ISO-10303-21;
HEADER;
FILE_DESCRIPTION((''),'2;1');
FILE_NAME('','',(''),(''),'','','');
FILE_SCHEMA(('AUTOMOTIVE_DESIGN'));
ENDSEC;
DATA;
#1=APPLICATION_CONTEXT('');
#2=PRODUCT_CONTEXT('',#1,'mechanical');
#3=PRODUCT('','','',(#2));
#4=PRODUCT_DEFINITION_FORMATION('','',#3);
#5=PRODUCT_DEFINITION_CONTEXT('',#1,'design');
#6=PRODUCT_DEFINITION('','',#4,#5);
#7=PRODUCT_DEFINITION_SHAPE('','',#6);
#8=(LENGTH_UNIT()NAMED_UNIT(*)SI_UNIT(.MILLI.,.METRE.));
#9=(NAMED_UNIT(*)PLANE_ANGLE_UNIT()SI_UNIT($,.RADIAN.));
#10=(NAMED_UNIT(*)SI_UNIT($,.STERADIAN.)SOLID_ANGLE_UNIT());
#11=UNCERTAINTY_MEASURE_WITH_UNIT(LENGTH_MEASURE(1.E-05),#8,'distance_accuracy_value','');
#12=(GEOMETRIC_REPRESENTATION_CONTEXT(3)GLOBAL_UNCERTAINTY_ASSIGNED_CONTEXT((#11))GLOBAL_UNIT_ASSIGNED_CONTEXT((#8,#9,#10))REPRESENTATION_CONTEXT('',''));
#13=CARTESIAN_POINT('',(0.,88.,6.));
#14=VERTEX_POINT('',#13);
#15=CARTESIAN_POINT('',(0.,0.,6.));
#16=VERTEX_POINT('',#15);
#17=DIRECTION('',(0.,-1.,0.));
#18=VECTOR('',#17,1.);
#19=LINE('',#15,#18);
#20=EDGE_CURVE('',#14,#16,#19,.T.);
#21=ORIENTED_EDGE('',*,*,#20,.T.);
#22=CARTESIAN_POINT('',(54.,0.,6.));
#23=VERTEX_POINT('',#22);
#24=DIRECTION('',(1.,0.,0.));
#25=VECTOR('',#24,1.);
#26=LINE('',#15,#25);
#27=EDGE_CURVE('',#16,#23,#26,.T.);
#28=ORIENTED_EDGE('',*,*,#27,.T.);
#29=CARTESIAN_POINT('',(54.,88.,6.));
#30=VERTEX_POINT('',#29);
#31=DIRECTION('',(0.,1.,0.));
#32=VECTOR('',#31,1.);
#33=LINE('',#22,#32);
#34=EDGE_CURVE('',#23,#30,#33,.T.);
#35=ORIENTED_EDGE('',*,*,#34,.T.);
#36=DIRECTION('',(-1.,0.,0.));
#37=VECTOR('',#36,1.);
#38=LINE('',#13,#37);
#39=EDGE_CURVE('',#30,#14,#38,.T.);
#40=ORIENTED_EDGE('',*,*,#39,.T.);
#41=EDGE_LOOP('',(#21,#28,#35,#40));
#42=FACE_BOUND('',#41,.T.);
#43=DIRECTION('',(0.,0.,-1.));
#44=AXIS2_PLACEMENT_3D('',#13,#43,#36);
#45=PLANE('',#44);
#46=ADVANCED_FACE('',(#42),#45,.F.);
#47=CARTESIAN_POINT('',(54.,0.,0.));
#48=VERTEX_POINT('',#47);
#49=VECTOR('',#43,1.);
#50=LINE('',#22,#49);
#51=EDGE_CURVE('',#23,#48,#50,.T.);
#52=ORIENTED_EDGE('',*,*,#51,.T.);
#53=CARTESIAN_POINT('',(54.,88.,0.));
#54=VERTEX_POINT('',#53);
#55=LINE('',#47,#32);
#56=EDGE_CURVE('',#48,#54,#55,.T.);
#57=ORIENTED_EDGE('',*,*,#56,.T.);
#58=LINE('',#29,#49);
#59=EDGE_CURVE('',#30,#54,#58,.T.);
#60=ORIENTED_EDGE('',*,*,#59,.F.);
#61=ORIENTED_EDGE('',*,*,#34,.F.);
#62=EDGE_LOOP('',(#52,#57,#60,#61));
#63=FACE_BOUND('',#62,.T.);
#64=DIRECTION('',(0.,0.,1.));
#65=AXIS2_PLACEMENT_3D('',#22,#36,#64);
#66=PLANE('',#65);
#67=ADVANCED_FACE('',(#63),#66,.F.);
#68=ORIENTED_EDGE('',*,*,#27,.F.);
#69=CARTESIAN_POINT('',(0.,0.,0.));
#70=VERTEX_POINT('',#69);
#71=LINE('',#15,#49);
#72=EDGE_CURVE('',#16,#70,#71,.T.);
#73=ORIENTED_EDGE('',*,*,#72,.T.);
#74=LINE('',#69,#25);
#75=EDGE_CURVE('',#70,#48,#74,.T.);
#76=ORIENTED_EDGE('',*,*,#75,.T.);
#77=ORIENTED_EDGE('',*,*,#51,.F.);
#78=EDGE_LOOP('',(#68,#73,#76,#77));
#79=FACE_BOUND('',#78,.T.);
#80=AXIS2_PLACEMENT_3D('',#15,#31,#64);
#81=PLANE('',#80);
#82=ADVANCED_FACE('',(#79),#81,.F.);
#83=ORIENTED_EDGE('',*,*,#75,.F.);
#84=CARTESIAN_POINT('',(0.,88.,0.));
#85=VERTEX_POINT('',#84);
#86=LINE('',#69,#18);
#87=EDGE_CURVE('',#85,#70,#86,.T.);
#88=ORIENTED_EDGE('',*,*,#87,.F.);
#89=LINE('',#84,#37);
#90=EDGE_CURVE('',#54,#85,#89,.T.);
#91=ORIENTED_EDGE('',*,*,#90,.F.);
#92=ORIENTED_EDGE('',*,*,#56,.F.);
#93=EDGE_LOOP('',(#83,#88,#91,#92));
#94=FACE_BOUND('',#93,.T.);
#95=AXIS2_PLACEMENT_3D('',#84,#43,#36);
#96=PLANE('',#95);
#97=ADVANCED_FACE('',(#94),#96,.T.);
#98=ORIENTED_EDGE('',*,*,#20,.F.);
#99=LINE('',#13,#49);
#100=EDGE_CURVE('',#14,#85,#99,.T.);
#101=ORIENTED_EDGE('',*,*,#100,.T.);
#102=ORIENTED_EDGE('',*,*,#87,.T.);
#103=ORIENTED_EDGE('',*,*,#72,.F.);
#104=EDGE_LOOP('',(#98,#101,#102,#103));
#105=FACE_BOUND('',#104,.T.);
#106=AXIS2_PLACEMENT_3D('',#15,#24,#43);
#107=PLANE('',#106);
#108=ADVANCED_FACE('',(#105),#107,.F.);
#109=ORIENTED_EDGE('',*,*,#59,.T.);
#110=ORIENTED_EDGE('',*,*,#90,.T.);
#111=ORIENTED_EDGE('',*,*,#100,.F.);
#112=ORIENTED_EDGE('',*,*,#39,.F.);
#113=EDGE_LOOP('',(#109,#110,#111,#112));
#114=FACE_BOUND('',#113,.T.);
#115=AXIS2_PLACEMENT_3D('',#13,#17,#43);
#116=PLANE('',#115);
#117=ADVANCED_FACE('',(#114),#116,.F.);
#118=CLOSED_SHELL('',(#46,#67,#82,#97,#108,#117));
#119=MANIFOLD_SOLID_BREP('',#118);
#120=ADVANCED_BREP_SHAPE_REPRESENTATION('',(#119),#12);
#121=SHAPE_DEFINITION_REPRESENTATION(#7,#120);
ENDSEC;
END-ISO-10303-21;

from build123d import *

# Parameters (mm, degrees)
ESQUISSE1_W      = 54
ESQUISSE1_H      = 88
EXTRUSION1_DEPTH = 6


with BuildPart() as part:
    # Esquisse1 → Extrusion1 (new body)
    with BuildSketch(Plane.XY):
        with Locations((27, 44)):
            Rectangle(ESQUISSE1_W, ESQUISSE1_H)
    extrude(amount=EXTRUSION1_DEPTH)


solid = part.part
